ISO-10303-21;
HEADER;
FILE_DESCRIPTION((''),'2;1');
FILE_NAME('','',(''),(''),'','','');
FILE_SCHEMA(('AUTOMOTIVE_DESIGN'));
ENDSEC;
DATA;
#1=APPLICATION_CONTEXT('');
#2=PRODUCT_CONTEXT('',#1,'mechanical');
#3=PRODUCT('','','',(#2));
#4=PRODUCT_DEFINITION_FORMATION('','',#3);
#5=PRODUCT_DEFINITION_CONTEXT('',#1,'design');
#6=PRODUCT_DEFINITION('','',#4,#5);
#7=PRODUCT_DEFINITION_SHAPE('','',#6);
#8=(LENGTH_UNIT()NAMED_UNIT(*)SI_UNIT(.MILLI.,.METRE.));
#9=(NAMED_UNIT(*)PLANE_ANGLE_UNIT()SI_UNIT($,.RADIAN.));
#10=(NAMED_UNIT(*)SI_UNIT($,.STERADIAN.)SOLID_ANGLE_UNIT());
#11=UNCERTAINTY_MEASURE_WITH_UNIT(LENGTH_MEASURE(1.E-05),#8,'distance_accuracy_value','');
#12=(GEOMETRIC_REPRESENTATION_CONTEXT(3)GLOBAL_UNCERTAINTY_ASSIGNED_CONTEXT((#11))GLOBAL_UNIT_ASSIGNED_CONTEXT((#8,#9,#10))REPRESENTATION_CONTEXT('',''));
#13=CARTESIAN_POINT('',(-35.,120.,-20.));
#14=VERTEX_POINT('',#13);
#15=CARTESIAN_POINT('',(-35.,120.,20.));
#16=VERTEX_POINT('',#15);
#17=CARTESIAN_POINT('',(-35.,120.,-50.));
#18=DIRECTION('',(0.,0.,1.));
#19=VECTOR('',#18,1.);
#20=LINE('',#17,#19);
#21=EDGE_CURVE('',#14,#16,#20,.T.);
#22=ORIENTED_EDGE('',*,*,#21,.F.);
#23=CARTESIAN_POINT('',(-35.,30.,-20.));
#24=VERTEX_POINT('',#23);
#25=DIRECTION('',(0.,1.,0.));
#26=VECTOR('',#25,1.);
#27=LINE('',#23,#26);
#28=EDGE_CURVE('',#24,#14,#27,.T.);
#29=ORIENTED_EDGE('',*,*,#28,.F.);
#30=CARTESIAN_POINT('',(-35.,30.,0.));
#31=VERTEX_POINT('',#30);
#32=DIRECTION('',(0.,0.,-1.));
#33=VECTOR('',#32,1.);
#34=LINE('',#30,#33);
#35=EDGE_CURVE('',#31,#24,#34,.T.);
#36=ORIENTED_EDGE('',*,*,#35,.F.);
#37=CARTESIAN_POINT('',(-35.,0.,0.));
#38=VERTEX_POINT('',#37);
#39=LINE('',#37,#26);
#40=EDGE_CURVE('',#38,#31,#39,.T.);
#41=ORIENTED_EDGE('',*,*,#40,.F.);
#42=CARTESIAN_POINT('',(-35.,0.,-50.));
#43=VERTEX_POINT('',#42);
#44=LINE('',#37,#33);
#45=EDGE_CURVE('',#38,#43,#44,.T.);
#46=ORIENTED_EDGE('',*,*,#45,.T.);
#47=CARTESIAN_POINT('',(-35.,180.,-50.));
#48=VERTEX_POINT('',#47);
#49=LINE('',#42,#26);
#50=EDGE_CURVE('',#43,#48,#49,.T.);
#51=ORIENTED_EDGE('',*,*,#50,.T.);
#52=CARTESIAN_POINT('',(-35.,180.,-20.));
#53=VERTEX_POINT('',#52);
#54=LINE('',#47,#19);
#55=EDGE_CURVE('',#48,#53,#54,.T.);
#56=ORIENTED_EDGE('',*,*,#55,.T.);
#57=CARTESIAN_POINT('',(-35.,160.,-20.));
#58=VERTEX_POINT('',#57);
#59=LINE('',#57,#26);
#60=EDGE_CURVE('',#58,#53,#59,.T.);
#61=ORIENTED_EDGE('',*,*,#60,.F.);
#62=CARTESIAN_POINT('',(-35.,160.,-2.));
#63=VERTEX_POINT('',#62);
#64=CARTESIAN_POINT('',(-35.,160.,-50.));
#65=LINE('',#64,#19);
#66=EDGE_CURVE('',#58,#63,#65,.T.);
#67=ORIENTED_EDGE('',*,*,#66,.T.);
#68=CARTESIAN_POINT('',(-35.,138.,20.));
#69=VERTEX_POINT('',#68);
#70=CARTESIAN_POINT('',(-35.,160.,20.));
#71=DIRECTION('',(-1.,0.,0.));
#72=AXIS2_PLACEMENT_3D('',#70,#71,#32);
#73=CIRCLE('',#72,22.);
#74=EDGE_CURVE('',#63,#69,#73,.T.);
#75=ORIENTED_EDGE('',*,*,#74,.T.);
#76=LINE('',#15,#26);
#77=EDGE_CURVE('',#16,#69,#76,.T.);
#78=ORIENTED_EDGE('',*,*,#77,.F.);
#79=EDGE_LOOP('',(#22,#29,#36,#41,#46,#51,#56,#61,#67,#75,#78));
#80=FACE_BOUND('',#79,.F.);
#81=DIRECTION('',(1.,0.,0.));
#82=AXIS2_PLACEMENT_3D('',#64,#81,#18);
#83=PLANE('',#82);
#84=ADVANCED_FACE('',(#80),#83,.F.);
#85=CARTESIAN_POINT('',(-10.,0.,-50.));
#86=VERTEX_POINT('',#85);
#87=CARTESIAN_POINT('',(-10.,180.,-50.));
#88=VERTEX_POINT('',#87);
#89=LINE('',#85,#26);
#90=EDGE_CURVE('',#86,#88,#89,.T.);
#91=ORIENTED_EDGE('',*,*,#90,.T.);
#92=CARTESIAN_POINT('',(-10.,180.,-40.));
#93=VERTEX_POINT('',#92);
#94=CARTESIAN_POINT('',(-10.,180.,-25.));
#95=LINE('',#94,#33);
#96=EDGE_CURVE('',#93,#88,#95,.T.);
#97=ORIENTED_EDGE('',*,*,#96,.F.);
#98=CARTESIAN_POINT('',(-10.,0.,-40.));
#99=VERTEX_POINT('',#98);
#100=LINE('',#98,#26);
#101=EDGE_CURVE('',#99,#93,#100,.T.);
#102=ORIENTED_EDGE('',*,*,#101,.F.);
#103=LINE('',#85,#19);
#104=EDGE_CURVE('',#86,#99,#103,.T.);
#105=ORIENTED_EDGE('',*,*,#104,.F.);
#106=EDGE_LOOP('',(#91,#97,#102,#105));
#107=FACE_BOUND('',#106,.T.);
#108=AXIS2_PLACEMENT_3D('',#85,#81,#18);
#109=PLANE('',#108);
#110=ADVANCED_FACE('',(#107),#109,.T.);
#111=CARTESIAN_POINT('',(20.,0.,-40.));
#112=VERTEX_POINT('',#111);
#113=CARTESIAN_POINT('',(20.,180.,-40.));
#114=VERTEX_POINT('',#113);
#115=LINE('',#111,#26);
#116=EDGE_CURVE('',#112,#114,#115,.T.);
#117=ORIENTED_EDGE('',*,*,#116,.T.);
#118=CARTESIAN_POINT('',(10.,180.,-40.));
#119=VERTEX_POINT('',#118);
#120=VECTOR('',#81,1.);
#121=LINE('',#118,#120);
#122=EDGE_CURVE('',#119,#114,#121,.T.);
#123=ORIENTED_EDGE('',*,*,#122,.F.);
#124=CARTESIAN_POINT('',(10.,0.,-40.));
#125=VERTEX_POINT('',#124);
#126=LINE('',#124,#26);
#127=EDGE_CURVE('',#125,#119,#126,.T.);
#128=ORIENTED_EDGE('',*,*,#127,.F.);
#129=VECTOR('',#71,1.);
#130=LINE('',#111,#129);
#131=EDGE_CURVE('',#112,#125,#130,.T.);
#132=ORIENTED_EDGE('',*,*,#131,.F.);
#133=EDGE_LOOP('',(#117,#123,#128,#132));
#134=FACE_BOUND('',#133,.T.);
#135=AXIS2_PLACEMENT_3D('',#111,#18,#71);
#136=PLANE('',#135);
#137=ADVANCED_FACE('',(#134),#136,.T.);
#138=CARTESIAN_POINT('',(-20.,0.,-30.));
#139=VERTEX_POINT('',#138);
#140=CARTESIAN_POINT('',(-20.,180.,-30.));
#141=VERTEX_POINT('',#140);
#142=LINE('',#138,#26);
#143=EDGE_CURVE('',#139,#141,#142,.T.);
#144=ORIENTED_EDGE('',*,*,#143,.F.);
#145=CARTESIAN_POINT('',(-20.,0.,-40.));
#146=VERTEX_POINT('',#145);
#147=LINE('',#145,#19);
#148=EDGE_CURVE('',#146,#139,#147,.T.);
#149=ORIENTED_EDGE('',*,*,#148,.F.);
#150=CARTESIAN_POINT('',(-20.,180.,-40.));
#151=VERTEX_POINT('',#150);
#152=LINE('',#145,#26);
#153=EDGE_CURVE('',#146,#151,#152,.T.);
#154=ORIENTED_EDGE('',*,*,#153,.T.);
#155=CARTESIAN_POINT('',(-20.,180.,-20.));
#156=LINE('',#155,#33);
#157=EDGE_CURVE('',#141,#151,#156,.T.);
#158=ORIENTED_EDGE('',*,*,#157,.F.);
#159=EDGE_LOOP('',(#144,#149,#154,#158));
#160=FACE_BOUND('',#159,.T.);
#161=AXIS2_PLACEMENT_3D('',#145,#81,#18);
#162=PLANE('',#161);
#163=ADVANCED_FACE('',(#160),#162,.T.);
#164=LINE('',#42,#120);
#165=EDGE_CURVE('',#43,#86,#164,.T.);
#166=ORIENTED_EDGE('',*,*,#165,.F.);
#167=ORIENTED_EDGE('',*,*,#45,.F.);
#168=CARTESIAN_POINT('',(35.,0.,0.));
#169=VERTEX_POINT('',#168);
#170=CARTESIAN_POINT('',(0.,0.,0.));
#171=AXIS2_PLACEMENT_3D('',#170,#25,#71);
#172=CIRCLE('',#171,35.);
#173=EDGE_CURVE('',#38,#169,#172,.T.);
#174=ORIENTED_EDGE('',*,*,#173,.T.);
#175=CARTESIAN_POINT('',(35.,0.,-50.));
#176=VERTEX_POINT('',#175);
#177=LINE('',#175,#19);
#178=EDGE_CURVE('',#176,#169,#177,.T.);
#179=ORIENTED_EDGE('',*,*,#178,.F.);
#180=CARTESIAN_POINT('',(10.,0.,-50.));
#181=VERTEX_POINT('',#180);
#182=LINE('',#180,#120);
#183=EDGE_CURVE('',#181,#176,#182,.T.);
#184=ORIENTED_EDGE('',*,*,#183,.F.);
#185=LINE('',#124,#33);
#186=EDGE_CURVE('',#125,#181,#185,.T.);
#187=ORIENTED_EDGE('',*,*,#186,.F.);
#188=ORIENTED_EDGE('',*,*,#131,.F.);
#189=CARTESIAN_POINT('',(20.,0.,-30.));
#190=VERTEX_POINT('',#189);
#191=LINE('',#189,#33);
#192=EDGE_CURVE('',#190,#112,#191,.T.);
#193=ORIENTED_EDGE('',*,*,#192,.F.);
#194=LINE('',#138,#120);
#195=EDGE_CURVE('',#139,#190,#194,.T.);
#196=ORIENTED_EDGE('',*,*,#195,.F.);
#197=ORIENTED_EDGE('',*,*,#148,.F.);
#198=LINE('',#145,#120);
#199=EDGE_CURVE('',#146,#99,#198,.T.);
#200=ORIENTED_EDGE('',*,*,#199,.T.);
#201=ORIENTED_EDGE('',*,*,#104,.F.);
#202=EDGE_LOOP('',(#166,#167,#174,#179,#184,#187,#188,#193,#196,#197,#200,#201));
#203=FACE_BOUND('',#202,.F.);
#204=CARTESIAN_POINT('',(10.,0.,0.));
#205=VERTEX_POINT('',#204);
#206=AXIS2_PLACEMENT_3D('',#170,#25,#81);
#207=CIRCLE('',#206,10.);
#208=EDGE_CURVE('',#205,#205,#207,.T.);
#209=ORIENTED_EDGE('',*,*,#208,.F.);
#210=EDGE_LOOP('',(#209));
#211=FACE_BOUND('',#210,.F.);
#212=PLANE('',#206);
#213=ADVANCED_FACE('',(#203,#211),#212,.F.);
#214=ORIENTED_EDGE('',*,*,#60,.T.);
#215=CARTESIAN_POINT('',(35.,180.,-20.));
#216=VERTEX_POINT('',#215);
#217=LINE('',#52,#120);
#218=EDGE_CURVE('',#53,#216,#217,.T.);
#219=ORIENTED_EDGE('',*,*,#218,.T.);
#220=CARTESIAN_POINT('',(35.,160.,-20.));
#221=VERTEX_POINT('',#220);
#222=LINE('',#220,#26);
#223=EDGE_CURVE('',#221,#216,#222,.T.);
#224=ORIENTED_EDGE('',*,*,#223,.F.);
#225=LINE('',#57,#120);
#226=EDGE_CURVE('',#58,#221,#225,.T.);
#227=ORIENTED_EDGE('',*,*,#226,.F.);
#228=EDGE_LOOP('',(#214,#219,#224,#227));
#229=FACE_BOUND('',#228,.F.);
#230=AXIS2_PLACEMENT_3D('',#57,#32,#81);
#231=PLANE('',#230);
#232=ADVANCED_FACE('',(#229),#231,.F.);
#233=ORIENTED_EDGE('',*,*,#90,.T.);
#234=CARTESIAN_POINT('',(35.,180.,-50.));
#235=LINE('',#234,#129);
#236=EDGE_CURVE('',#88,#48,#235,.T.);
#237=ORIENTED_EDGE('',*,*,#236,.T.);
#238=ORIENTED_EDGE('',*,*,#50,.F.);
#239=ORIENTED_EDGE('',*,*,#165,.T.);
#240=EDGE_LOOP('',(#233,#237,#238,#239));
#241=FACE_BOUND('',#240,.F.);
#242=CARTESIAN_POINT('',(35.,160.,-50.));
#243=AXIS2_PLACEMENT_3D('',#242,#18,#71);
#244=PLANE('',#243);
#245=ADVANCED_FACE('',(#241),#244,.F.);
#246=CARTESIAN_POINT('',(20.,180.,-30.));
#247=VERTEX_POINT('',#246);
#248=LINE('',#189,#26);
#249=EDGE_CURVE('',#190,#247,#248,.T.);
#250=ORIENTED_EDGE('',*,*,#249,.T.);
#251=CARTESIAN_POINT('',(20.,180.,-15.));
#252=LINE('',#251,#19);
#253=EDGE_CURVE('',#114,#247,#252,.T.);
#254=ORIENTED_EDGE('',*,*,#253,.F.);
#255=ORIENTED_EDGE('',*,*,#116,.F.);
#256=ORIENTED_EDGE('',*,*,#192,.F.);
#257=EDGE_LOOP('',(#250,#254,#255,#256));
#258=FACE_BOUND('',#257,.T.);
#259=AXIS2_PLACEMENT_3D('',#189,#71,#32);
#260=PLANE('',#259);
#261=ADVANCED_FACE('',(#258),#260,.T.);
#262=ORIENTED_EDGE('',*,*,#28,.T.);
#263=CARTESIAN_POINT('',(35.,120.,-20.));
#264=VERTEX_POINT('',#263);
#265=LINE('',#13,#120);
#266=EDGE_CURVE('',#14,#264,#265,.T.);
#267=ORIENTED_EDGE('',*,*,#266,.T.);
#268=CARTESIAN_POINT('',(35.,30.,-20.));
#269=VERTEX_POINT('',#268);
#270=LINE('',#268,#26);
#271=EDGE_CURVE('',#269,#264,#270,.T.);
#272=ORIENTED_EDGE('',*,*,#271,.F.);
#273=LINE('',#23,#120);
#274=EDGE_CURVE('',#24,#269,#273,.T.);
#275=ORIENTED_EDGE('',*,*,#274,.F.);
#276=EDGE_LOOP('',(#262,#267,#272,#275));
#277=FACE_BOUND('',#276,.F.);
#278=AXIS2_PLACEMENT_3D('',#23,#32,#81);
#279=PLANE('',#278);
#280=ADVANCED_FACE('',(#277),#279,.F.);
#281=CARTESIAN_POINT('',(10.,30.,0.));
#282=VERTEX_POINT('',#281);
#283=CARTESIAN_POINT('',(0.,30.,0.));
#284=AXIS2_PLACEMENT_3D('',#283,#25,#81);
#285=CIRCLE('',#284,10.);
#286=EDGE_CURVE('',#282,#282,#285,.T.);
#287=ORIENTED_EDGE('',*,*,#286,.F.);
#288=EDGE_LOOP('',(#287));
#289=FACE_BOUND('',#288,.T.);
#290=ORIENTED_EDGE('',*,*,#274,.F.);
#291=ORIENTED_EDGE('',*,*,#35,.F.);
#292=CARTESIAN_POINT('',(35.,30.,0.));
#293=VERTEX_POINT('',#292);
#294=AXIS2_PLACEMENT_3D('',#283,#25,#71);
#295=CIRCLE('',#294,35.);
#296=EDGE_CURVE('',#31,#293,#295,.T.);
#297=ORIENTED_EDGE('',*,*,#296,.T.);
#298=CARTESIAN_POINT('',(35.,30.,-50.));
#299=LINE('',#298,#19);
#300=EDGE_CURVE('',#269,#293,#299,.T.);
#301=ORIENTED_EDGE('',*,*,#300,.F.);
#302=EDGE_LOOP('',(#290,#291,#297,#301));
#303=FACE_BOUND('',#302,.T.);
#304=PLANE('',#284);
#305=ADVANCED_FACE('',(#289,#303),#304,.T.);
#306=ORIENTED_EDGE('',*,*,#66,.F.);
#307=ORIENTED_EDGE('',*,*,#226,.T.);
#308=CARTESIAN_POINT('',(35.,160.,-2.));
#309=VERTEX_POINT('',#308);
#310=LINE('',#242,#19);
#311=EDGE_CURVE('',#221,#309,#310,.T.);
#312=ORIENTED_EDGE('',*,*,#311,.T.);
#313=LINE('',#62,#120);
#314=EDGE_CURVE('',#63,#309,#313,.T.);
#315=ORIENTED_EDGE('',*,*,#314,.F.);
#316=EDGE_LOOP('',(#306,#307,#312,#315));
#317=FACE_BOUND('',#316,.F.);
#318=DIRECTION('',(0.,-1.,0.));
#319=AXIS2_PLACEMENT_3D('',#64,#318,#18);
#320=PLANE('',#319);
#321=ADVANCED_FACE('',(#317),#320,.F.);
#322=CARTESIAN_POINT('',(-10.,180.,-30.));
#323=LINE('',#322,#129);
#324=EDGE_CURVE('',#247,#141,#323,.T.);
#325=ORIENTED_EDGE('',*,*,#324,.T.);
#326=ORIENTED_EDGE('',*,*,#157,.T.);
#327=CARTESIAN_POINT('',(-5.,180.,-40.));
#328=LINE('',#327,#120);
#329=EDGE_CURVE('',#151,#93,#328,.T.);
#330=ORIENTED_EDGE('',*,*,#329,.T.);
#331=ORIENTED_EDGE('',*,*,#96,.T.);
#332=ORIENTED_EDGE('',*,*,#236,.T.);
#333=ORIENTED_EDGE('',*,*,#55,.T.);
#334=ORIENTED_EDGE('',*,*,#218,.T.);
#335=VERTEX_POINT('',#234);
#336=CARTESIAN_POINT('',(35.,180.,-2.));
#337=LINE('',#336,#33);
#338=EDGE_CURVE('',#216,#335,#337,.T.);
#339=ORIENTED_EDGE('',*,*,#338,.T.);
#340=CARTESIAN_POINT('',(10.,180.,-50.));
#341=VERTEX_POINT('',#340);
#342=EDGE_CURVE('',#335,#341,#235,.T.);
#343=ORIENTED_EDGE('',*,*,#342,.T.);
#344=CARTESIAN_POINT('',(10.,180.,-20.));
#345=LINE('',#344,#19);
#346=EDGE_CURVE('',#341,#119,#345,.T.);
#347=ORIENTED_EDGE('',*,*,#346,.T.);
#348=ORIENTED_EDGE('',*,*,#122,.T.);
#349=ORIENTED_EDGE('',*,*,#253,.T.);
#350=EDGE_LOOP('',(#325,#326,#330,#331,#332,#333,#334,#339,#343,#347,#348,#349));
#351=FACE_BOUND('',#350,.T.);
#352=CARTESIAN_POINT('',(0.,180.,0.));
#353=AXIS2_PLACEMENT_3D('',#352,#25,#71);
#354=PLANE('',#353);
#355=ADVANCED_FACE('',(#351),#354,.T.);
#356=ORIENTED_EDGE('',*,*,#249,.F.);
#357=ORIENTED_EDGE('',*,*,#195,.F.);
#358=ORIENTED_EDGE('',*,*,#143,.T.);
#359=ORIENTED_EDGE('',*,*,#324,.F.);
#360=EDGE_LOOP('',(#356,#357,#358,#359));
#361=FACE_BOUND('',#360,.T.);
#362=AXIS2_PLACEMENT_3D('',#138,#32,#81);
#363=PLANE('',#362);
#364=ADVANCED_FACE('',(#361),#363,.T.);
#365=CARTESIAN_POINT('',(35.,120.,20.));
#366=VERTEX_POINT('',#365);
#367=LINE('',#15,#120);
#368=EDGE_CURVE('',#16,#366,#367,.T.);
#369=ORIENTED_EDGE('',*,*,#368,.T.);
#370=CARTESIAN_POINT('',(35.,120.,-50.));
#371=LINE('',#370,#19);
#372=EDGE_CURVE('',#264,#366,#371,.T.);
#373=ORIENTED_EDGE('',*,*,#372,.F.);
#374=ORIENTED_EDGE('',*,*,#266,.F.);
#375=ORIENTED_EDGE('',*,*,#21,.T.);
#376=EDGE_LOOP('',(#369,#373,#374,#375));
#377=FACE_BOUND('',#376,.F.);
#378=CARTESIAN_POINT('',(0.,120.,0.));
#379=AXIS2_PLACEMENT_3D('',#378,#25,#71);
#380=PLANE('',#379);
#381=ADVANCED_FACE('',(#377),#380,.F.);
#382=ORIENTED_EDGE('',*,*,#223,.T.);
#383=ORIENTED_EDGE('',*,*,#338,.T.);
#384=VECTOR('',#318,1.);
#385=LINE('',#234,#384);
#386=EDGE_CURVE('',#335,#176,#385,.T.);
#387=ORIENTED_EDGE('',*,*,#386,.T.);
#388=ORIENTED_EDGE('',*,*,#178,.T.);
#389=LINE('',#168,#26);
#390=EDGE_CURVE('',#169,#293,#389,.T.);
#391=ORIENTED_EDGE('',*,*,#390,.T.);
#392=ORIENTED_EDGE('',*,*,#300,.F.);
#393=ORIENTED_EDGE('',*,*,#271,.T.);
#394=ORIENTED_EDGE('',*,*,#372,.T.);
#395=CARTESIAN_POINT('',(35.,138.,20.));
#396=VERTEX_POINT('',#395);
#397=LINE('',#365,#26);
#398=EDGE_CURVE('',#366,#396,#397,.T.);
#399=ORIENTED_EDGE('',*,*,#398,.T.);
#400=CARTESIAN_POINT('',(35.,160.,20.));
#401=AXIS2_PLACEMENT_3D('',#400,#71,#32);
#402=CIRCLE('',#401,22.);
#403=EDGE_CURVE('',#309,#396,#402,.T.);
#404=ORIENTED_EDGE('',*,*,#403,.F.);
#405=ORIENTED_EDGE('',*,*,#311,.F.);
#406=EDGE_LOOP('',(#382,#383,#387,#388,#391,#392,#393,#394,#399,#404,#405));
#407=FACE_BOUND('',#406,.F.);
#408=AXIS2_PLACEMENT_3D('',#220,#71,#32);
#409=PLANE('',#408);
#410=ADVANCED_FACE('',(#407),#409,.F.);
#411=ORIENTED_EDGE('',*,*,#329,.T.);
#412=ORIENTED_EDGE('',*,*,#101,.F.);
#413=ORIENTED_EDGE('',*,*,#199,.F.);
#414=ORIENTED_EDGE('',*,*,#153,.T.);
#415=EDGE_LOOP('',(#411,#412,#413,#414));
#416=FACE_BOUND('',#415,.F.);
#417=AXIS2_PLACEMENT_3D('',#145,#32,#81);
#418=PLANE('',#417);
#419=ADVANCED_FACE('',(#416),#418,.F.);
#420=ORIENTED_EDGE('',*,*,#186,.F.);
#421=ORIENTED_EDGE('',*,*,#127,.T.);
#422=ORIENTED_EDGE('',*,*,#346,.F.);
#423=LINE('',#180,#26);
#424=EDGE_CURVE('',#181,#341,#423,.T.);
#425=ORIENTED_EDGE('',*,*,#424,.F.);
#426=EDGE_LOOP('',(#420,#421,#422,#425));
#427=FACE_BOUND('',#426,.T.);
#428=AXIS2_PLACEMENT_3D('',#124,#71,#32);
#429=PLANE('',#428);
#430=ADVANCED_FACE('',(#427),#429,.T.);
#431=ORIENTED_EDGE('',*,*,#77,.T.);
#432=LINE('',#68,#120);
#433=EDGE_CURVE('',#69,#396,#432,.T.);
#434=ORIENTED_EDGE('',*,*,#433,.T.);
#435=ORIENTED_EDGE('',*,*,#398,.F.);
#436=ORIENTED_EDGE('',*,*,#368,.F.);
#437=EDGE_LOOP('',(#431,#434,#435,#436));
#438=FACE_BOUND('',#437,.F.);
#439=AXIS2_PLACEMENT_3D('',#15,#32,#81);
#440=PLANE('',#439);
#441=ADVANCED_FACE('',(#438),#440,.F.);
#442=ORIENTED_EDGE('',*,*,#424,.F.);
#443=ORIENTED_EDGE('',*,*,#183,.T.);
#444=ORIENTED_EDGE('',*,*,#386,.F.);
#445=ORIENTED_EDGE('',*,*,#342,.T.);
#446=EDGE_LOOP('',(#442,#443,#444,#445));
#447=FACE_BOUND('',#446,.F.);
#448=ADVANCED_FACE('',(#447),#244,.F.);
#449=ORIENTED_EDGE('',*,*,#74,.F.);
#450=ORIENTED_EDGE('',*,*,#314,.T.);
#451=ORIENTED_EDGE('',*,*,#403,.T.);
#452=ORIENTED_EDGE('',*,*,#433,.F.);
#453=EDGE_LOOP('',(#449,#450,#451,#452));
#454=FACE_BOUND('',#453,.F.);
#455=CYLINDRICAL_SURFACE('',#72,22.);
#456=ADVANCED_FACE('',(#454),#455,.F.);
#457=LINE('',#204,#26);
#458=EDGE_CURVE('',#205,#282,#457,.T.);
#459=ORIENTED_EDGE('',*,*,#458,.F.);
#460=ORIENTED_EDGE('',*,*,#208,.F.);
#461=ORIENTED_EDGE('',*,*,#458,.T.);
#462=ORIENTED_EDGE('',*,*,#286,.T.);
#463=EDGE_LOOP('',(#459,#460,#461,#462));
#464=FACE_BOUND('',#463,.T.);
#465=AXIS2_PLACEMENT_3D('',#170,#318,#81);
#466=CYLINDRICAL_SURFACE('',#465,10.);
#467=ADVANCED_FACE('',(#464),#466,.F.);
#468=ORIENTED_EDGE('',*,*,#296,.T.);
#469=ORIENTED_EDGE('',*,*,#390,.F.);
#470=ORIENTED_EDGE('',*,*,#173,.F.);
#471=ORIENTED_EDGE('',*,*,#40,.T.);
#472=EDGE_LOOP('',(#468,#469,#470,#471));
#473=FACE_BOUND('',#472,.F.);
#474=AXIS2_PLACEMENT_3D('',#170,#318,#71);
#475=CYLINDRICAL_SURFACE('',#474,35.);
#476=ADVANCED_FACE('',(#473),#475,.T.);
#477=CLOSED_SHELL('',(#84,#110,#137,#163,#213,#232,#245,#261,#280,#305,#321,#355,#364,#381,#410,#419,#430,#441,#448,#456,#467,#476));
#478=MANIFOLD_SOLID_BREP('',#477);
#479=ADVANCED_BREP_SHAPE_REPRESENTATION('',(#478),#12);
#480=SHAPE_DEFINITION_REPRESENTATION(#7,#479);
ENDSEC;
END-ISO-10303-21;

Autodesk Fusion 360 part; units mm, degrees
sketch "Sketch1" plane through (0, 0, 0) normal (0, 1, 0) x (1, 0, 0)
  circle A0 centre (0, 0) radius 10
  line L0 (-35, 0) -> (-35, 50)
  line L1 (35, 50) -> (35, 0)
  arc A1 (-35, 0) -> (35, 0) centre (0, 0) ccw
  line L2 (-10, 50) -> (-10, 40)
  line L3 (-20, 40) -> (-10, 40)
  line L4 (-20, 40) -> (-20, 30)
  line L5 (20, 30) -> (20, 40)
  line L6 (20, 40) -> (10, 40)
  line L7 (10, 40) -> (10, 50)
  line L8 (-20, 30) -> (-18.0278, 30)
  line L9 (18.0278, 30) -> (20, 30)
  line L10 (-18.0278, 30) -> (18.0278, 30)
  line L11 (-35, 50) -> (-10, 50)
  line L12 (10, 50) -> (35, 50)
  dimension "d1" = 70
  dimension "d2" = 50
  dimension "d3" = 70
  dimension "d4" = 90
  dimension "d5" = 90
extrude "Extrude1" add sketch "Sketch1" along normal blind 30
sketch "Sketch2" plane through (0, 30, 0) normal (0, 1, 0) x (-1, 0, 0)
  circle A0 centre (0, 0) radius 10
  line L0 (20, -40) -> (10, -40)
  line L1 (10, -40) -> (10, -50)
  line L2 (10, -50) -> (35, -50)
  line L3 (35, -50) -> (35, 0)
  arc A1 (35, 0) -> (-35, 0) centre (0, 0) ccw
  line L4 (-35, 0) -> (-35, -50)
  line L5 (-35, -50) -> (-10, -50)
  line L6 (-10, -50) -> (-10, -40)
  line L7 (-10, -40) -> (-20, -40)
  line L8 (-20, -40) -> (-20, -30)
  line L9 (-20, -30) -> (20, -30)
  line L10 (20, -30) -> (20, -40)
  line L11 (-35, -50) -> (35, -50)
  line L12 (35, -50) -> (35, -20)
  line L13 (35, -20) -> (-35, -20)
  line L14 (-35, -20) -> (-35, -50)
extrude "Extrude2" add sketch "Sketch2" along normal blind 90 contours L0 L1 L2 L3 L4 L5 L6 L7 L8 L9 L10 L11 L12 L13 L14 | L0 L1 L6 L7 L8 L9 L10 L11
sketch "Sketch3" plane through (0, 120, 0) normal (0, 1, 0) x (-1, 0, 0)
  line L0 (-35, -20) -> (-35, -50)
  line L1 (-35, -50) -> (35, -50)
  line L2 (35, -50) -> (35, -20)
  line L3 (35, -20) -> (-35, -20)
  line L4 (-35, -50) -> (35, -50)
  line L5 (35, -50) -> (35, 20)
  line L6 (35, 20) -> (-35, 20)
  line L7 (-35, 20) -> (-35, -50)
  dimension "d10" = 70
  dimension "d11" = 70
extrude "Extrude3" add sketch "Sketch3" along normal blind 18
sketch "Sketch4" plane through (-35, 0, 0) normal (-1, 0, 0) x (0, -1, 0)
  line L0 (0, -50) -> (0, 0)
  line L1 (0, 0) -> (-30, 0)
  line L2 (-30, 0) -> (-30, -20)
  line L3 (-30, -20) -> (-120, -20)
  line L4 (-120, -20) -> (-120, 20)
  line L5 (-120, 20) -> (-138, 20)
  line L6 (-138, 20) -> (-138, -50)
  line L7 (-138, -50) -> (0, -50)
  line L8 (-138, -50) -> (-160, -50)
  line L9 (-160, -50) -> (-160, -2)
  line L10 (-138, 20) -> (-138, -50)
  arc A0 (-160, -2) -> (-138, 20) centre (-160, 20) ccw
  dimension "d14" = 22
extrude "Extrude4" add sketch "Sketch4" against normal blind 70 contours L6 L8 L9 L10 A0
sketch "Sketch5" plane through (0, 160, 0) normal (0, 1, 0) x (-1, 0, 0)
  line L0 (35, -50) -> (35, -2)
  line L1 (35, -2) -> (-35, -2)
  line L2 (-35, -2) -> (-35, -50)
  line L3 (-35, -50) -> (35, -50)
  line L4 (-35, -50) -> (35, -50)
  line L5 (35, -50) -> (35, -20)
  line L6 (35, -20) -> (-35, -20)
  line L7 (-35, -20) -> (-35, -50)
  dimension "d17" = 30
extrude "Extrude5" add sketch "Sketch5" along normal blind 20 contours L0 L2 L3 L4 L5 L6 L7
sketch "Sketch6" plane through (0, 0, 0) normal (0, -1, 0) x (1, 0, 0)
  circle A0 centre (0, 0) radius 10
  line L0 (-10, -40) -> (-20, -40)
  line L1 (-20, -40) -> (-20, -30)
  line L2 (-20, -30) -> (20, -30)
  line L3 (20, -30) -> (20, -40)
  line L4 (20, -40) -> (10, -40)
  line L5 (10, -40) -> (10, -50)
  line L6 (10, -50) -> (35, -50)
  line L7 (35, -50) -> (35, 0)
  arc A1 (35, 0) -> (-35, 0) centre (0, 0) ccw
  line L8 (-35, 0) -> (-35, -50)
  line L9 (-35, -50) -> (-10, -50)
  line L10 (-10, -50) -> (-10, -40)
  line L11 (-10, -50) -> (-10, -40)
  line L12 (-10, -40) -> (-20, -40)
  line L13 (-20, -40) -> (-20, -30)
  line L14 (-20, -30) -> (20, -30)
  line L15 (20, -30) -> (20, -40)
  line L16 (20, -40) -> (10, -40)
  line L17 (10, -40) -> (10, -50)
  line L18 (-10, -50) -> (10, -50)
extrude "Extrude6" cut sketch "Sketch6" against normal blind 210 contours L0 L1 L2 L3 L4 L5 L10 L11 L12 L13 L14 L15 L16 L17 L18
